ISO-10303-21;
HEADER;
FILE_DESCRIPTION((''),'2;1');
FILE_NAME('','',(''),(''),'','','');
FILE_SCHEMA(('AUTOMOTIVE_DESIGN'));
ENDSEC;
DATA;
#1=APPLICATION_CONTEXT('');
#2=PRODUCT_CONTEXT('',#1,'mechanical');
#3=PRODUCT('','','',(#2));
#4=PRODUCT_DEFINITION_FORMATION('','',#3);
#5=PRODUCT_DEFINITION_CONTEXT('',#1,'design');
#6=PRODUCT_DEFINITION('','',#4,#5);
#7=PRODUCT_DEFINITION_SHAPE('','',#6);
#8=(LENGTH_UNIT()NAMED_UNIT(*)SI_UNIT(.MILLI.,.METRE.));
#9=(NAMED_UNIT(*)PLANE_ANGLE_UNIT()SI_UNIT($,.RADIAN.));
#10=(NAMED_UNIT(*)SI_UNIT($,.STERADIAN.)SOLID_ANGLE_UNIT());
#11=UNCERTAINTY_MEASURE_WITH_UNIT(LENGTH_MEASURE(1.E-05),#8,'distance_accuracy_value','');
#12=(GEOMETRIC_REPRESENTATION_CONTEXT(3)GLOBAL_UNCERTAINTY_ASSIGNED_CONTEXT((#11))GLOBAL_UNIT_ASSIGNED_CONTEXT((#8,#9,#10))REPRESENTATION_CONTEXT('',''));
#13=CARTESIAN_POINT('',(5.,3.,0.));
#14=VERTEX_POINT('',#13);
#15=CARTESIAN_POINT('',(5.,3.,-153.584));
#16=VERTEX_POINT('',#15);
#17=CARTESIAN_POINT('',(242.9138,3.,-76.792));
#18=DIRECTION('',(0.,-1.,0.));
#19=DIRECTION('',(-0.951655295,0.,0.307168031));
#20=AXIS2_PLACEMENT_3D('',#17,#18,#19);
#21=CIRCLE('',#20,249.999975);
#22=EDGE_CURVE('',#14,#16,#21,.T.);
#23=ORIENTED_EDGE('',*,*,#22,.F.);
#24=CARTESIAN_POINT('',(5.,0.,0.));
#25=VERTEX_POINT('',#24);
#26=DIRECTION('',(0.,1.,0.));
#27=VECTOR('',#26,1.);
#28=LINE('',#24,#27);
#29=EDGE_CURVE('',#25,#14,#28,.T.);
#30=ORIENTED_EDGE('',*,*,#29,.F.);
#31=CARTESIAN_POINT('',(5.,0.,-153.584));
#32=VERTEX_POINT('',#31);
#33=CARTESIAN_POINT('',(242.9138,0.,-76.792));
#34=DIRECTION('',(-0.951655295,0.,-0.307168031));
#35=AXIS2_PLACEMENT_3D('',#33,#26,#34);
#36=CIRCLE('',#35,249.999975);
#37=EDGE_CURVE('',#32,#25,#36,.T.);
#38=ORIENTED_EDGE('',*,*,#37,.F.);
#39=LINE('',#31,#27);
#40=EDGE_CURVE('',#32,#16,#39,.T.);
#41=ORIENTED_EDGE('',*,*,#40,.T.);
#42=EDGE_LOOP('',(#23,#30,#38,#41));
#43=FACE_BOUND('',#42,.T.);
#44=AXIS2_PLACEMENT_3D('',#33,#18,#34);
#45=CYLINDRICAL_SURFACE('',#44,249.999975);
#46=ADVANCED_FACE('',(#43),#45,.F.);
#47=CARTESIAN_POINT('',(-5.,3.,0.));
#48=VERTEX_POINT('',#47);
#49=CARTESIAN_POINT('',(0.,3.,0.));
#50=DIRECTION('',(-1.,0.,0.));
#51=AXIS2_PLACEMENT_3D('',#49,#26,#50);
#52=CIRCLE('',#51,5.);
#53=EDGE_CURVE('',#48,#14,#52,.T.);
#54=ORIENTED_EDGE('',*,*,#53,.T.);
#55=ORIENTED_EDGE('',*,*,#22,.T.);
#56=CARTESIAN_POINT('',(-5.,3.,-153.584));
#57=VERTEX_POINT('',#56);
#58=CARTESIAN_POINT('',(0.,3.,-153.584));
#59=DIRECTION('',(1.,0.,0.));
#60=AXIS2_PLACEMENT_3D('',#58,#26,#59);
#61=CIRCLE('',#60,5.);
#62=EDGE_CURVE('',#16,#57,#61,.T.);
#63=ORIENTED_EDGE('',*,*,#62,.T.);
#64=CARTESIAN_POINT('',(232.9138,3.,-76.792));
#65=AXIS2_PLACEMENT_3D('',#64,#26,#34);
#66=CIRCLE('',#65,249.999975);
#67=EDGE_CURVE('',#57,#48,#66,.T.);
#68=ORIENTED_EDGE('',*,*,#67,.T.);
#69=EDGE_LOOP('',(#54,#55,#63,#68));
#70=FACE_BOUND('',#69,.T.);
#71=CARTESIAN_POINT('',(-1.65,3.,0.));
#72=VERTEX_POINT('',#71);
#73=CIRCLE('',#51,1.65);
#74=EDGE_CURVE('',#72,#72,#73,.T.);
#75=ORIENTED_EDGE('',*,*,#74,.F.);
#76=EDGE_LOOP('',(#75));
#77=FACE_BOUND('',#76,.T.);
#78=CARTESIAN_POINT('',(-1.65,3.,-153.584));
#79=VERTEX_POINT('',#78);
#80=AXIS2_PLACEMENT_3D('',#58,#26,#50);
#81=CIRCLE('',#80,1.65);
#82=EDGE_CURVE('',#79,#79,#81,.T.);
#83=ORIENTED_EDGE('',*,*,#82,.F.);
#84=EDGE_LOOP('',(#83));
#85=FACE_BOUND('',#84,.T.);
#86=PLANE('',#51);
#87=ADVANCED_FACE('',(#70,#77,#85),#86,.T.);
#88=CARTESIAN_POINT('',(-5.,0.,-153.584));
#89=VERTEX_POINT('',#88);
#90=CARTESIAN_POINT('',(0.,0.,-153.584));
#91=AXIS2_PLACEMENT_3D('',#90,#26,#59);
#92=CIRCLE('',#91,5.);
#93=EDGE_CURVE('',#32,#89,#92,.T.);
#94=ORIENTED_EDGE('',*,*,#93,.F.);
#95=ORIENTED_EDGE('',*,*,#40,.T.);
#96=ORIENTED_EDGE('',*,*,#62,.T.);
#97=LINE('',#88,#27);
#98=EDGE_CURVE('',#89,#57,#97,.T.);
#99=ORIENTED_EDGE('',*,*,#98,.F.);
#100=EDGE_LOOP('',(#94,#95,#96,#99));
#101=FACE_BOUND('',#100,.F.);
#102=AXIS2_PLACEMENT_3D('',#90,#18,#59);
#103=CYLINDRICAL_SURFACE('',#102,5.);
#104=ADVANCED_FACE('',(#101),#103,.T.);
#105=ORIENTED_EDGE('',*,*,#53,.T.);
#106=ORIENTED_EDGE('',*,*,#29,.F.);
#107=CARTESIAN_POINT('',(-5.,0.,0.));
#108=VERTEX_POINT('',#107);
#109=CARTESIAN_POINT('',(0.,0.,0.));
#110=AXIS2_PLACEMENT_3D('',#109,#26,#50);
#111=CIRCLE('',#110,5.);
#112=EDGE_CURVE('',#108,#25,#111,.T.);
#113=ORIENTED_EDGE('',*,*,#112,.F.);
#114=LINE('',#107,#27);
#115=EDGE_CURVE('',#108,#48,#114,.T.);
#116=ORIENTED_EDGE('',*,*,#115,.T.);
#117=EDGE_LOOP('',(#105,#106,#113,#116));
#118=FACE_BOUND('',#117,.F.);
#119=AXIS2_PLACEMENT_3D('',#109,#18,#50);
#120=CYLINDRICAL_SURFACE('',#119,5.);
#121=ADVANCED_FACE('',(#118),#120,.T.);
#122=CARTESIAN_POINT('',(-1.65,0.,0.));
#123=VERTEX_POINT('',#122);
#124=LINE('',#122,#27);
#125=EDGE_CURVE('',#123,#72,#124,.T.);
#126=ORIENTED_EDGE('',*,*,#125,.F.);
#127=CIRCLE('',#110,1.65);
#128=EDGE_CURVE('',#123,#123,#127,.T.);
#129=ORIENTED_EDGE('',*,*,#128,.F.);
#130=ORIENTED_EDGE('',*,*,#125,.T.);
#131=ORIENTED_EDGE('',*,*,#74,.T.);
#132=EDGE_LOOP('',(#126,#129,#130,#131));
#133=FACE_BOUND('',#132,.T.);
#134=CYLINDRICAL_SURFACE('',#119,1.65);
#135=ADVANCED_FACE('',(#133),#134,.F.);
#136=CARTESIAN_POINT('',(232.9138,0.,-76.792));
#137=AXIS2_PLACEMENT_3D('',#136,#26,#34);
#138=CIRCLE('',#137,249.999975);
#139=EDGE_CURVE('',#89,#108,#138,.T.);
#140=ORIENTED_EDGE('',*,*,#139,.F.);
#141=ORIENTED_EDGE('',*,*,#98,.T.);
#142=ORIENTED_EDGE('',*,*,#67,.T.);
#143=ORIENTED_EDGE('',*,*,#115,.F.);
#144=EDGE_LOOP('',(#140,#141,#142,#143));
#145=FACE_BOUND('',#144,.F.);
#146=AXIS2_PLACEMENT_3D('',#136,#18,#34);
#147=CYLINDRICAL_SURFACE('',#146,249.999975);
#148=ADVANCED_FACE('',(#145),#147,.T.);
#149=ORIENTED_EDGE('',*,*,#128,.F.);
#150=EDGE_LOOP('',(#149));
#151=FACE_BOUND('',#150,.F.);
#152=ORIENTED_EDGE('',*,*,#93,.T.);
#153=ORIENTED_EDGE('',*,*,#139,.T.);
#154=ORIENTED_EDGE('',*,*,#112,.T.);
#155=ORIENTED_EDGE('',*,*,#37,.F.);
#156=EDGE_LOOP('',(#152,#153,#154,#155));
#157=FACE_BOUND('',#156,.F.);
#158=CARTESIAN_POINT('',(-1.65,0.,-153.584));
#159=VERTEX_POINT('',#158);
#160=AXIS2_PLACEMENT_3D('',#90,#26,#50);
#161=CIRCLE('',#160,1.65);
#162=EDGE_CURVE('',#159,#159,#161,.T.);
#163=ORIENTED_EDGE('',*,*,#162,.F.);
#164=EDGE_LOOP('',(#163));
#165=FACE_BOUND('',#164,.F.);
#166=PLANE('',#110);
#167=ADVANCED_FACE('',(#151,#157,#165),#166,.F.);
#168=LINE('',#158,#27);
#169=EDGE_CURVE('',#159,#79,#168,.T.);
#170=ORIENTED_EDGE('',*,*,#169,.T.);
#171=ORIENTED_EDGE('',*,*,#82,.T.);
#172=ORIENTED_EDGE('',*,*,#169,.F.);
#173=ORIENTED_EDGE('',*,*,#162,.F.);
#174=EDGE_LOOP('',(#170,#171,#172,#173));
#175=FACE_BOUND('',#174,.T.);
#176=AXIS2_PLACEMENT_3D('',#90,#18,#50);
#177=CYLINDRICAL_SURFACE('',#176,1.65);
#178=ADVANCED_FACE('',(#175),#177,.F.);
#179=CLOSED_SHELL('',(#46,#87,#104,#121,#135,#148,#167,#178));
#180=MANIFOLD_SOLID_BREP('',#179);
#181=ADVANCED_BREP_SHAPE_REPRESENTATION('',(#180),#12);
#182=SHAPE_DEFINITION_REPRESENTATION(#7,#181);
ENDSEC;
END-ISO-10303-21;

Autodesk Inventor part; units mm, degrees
ref_plane "YZ Plane" through (0, 0, 0) normal (1, 0, 0) x (0, 1, 0)
ref_plane "XZ Plane" through (0, 0, 0) normal (0, 1, 0) x (-1, 0, 0)
ref_plane "XY Plane" through (0, 0, 0) normal (0, 0, 1) x (1, 0, 0)
sketch "Sketch1" plane through (0, 0, 0) normal (0, 1, 0) x (-1, 0, 0)
  line L0 (0, 0) -> (0, -153.584) construction
  line L1 (5, 0) -> (5, -153.584)
  line L2 (-5, -153.584) -> (-5, 0)
  arc A0 (5, 0) -> (-5, 0) centre (0, 0) ccw
  arc A1 (-5, -153.584) -> (5, -153.584) centre (0, -153.584) ccw
  circle A2 centre (0, 0) radius 1.65
  circle A3 centre (0, -153.584) radius 1.65
  arc A4 (-5, -153.584) -> (-5, 0) centre (-242.9138, -76.792) ccw
  arc A5 (5, -153.584) -> (5, 0) centre (-232.9138, -76.792) ccw
  point P0 (0, -76.792)
  dimension "d0" = 3.3
  dimension "d1" = 3.3
  dimension "d2" = 10
  dimension "d3" = 153.584
  dimension "d12" = 250
  dimension "d13" = 250
extrude "Extrusion1" add sketch "Sketch1" along normal blind 3 contours A5 L1 A4 | L1 A4 A0 | A1 A4 L1
